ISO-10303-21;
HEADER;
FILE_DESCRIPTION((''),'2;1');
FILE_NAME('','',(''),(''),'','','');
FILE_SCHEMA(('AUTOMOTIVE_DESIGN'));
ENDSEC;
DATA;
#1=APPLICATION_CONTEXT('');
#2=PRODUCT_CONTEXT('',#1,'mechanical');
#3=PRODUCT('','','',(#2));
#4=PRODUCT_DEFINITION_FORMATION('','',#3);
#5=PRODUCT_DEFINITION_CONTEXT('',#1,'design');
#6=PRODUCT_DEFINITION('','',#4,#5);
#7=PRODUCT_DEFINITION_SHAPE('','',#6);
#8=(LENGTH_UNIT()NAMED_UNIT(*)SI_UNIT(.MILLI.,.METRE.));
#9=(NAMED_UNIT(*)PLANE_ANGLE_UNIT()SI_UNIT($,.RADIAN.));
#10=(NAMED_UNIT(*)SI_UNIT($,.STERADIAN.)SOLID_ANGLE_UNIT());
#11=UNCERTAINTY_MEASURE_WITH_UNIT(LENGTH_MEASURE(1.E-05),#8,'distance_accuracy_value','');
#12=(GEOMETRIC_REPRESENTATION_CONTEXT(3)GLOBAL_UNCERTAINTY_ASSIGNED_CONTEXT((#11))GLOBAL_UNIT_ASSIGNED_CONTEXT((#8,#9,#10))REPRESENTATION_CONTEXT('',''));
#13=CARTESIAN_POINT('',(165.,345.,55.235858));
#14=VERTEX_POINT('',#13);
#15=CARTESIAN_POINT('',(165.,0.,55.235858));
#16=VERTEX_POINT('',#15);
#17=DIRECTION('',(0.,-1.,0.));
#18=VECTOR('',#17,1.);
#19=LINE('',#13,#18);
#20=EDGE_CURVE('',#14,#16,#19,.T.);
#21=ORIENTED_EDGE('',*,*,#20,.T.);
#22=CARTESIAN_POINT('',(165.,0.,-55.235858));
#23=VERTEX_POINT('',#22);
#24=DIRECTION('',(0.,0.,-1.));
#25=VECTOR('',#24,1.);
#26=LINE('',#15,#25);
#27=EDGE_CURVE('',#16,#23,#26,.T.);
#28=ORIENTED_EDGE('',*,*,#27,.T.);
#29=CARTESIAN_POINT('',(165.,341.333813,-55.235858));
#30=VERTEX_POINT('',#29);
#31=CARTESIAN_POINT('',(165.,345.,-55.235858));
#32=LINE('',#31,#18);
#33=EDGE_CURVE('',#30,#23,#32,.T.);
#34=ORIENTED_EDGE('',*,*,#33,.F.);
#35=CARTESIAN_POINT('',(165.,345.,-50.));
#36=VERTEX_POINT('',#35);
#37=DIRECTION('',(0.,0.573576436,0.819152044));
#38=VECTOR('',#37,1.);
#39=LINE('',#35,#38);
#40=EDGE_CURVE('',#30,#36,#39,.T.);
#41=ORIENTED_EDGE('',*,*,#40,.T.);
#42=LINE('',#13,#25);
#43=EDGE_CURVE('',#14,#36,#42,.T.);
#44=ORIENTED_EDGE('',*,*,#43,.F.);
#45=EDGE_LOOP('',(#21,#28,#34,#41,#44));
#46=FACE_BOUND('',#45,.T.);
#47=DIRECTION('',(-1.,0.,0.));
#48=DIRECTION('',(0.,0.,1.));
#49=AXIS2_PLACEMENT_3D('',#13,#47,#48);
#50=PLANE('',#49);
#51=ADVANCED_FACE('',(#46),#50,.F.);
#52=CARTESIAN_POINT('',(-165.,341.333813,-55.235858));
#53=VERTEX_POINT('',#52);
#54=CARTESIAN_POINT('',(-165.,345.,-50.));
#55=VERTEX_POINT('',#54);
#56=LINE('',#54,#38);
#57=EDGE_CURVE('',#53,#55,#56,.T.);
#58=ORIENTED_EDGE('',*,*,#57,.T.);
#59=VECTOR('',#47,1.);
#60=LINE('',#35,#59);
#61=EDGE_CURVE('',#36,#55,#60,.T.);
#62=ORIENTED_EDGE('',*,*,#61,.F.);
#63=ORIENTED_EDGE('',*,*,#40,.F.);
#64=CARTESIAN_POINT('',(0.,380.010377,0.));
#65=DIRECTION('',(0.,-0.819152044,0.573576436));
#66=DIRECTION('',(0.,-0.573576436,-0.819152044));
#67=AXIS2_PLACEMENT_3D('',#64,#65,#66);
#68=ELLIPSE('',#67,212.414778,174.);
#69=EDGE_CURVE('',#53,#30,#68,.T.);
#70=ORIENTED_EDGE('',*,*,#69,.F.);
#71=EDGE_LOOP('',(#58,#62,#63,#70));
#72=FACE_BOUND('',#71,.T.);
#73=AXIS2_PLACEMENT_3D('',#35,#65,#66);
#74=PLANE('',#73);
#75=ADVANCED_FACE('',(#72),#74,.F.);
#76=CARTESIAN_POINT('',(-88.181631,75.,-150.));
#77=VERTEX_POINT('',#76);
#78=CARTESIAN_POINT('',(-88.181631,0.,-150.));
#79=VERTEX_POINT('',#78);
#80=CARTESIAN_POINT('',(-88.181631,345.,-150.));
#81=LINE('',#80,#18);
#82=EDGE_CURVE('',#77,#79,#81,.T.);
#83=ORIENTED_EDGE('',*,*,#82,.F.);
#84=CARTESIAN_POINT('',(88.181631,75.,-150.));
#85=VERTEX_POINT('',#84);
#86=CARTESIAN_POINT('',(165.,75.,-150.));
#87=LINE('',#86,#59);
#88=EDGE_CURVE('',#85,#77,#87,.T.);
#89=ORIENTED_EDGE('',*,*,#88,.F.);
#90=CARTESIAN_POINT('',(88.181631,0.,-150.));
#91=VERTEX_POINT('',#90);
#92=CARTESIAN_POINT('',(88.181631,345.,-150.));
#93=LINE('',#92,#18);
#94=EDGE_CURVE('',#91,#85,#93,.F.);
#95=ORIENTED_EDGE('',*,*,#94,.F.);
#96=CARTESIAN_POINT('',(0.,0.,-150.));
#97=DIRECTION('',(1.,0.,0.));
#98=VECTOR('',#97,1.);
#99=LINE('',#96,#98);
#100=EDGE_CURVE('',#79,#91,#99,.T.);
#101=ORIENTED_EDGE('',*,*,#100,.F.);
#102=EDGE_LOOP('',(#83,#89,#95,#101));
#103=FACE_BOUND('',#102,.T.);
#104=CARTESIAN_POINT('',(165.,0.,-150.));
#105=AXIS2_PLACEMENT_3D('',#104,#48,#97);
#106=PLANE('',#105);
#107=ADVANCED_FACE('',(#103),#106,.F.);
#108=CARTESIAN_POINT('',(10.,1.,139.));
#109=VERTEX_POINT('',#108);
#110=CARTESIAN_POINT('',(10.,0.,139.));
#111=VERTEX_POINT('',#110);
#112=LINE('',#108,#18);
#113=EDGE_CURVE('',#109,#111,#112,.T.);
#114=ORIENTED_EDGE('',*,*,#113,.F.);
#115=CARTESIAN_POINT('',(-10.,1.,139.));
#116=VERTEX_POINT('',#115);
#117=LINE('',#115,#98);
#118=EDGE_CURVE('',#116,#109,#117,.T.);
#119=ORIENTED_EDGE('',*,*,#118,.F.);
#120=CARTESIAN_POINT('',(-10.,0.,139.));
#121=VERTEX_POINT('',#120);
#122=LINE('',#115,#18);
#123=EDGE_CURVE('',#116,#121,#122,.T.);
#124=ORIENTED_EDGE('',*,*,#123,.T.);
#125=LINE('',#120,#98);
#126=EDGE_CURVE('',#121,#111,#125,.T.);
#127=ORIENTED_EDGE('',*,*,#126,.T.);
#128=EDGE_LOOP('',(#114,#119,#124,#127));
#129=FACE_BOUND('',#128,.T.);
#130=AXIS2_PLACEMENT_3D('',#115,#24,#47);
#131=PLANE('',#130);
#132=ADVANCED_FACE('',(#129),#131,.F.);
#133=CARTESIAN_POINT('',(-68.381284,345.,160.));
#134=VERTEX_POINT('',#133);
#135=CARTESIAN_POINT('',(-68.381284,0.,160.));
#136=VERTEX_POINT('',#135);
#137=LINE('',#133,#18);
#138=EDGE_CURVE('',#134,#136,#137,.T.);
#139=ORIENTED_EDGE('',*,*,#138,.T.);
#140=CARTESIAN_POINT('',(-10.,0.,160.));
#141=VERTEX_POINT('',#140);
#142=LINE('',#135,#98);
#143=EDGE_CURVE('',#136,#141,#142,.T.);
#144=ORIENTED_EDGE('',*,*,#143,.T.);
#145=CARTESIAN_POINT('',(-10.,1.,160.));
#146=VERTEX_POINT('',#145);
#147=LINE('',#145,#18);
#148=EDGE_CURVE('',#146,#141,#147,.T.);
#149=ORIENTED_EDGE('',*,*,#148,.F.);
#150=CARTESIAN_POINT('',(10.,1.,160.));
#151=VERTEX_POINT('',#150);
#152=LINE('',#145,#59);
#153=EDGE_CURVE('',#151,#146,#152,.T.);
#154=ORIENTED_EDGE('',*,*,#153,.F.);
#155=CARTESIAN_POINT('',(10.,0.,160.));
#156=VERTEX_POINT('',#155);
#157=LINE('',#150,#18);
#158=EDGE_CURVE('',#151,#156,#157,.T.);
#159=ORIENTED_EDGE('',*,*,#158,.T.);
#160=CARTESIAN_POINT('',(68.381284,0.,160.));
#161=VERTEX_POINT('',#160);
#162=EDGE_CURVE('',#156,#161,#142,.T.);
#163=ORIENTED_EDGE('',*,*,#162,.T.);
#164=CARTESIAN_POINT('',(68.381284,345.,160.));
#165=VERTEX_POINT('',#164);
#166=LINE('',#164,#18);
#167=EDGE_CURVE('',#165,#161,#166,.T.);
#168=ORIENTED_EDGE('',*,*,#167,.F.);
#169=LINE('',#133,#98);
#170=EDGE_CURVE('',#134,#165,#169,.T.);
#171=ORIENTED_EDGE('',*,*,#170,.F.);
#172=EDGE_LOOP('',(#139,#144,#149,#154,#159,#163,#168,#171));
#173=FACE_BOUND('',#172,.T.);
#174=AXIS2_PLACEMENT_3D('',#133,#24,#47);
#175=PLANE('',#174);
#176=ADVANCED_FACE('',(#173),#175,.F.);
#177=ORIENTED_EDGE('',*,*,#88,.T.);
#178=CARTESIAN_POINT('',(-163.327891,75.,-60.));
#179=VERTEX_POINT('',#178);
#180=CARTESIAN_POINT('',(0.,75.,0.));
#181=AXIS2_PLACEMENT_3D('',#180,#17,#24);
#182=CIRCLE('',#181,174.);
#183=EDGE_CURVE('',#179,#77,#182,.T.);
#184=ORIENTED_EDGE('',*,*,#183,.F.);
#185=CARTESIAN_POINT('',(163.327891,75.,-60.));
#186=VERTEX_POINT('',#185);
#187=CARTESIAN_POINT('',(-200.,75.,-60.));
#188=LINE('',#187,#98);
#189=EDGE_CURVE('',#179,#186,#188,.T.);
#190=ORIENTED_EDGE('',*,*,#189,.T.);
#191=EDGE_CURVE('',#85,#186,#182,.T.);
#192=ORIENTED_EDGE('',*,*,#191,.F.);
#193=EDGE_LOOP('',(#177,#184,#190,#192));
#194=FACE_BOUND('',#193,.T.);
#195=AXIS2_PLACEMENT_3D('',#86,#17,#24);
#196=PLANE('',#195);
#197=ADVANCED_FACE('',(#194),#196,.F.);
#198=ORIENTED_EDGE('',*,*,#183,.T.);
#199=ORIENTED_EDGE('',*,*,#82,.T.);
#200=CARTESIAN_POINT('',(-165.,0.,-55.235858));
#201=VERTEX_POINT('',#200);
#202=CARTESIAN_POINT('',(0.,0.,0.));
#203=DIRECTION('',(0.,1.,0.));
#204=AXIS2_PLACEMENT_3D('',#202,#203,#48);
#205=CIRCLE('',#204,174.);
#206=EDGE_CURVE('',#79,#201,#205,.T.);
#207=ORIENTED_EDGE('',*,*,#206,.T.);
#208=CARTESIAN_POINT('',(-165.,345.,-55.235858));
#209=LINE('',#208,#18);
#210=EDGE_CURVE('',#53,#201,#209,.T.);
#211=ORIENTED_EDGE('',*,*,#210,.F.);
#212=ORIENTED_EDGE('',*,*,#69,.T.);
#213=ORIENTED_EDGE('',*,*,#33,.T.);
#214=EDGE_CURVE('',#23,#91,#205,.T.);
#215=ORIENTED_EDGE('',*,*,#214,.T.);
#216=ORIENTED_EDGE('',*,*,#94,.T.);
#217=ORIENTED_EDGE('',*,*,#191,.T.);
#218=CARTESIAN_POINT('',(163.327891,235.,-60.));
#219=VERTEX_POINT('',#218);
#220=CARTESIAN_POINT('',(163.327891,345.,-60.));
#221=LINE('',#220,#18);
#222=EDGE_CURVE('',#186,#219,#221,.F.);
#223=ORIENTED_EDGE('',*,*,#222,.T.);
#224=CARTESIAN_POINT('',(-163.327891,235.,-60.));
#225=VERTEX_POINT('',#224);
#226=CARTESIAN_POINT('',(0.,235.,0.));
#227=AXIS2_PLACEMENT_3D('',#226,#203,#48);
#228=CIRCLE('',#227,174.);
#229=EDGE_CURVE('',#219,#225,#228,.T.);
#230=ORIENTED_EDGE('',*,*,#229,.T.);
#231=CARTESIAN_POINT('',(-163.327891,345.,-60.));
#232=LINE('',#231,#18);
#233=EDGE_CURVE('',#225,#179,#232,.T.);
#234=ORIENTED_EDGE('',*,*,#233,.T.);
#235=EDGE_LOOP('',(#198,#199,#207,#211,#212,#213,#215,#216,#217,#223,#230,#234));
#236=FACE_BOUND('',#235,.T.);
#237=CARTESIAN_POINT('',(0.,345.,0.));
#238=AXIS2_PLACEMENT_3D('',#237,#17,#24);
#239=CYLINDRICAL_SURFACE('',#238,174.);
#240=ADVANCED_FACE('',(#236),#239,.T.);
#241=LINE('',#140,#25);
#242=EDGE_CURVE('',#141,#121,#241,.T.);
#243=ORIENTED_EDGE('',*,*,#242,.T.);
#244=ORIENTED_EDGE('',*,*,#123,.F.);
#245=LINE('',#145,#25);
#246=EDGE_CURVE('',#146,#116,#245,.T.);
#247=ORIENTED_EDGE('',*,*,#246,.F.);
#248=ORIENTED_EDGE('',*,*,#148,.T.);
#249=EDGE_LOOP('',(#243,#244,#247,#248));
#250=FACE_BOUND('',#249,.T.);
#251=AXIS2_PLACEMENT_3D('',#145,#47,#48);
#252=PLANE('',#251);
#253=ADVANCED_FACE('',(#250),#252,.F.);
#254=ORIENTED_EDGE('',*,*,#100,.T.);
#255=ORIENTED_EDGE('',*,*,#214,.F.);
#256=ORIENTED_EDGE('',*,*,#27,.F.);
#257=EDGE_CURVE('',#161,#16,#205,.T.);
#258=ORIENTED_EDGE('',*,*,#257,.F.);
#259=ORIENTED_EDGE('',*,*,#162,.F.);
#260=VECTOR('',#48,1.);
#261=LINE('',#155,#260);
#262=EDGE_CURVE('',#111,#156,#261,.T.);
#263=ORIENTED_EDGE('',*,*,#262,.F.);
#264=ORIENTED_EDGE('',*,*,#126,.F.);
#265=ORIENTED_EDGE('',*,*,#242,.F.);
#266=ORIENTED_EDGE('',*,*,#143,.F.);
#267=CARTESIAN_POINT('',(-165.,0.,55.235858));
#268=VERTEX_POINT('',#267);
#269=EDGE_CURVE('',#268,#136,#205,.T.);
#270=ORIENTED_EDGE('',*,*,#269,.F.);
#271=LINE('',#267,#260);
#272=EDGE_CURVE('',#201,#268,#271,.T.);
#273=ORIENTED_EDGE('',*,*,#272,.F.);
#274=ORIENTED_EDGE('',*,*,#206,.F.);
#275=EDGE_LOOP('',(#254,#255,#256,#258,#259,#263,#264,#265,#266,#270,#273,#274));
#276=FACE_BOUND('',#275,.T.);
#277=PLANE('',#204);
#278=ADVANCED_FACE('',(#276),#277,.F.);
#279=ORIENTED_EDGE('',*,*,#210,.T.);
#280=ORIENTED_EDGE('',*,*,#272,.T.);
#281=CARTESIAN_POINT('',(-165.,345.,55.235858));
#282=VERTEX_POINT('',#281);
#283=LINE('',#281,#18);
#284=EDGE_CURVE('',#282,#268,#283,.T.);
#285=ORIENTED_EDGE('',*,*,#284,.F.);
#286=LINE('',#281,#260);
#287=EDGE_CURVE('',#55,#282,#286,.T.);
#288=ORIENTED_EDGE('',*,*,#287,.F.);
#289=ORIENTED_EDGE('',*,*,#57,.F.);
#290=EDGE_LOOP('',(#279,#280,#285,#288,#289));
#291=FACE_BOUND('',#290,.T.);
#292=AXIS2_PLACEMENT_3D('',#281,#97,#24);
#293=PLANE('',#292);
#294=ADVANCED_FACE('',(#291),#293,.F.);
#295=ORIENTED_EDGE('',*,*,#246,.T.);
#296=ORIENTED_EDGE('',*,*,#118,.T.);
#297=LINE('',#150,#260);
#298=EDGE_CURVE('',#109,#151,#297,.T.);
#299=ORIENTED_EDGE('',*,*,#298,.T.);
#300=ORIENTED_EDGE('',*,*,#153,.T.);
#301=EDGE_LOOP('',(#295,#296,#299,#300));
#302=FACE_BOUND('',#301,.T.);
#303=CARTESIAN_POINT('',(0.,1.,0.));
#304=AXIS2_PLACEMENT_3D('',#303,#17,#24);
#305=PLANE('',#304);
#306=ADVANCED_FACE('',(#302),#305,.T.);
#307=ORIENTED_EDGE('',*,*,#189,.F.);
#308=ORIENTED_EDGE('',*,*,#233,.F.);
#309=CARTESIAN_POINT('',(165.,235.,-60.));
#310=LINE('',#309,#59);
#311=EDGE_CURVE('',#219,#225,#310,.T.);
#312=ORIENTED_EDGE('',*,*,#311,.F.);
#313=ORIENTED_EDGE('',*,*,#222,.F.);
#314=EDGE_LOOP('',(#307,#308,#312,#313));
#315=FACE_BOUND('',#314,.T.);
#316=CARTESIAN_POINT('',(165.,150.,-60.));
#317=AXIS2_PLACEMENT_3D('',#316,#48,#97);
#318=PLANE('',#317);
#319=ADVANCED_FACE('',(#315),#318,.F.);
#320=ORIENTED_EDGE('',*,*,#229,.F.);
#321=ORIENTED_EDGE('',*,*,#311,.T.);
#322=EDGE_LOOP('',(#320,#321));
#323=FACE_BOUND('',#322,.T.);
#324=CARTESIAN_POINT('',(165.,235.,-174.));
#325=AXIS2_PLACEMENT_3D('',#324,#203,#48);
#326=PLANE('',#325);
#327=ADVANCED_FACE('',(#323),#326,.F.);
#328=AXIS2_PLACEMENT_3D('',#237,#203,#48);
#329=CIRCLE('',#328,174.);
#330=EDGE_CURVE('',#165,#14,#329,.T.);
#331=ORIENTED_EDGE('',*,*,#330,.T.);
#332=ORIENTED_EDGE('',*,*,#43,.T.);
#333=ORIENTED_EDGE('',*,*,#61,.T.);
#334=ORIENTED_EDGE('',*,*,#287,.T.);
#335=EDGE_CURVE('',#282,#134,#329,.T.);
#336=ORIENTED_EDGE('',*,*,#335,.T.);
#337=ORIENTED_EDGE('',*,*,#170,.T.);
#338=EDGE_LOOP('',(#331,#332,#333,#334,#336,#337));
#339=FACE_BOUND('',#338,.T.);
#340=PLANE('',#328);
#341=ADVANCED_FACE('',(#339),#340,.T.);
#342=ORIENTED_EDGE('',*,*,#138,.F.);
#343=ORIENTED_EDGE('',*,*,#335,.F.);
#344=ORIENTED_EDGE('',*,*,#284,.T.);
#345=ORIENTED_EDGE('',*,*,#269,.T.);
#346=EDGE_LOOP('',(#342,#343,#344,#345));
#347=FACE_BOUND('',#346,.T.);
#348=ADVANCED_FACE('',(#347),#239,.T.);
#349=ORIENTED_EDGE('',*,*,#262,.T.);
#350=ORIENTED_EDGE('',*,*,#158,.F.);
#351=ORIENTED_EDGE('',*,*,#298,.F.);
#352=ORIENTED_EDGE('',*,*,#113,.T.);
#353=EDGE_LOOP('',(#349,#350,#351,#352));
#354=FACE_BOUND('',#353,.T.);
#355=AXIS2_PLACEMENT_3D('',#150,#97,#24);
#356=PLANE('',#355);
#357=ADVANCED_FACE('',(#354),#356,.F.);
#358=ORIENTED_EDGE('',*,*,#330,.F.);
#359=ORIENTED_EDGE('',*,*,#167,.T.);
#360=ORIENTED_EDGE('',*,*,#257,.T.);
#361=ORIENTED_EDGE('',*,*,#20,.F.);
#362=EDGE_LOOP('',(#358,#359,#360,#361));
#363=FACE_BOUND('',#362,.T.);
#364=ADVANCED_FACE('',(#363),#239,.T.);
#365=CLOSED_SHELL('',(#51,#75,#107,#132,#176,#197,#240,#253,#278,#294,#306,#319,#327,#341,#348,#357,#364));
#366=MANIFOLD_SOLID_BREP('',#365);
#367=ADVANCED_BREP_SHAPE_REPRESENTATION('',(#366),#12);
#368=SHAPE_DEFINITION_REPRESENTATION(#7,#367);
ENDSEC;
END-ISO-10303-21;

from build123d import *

# Parameters (mm, degrees)
BOSS_EXTRU_1_DEPTH           = 345
ENL_V_MAT_EXTRU_1_DEPTH      = 421.149973224
ENL_V_MAT_EXTRU_1_DEPTH_BACK = 421.149973224
ESQUISSE5_W                  = 400
ESQUISSE5_H                  = 70
ENL_V_MAT_EXTRU_3_DEPTH      = 75
ESQUISSE6_W                  = 20
ESQUISSE6_H                  = 21
ENL_V_MAT_EXTRU_4_DEPTH      = 1


with BuildPart() as part:
    # Esquisse1 → Boss.-Extru.1 (new body)
    with BuildSketch(Plane(origin=(0, 0, 0), x_dir=(1, 0, 0), z_dir=(0, 1, 0))):
        with BuildLine():
            Line((-165, -55.235857919), (-165, 55.235857919))
            ThreePointArc((-165, 55.235857919), (0, 174), (165, 55.235857919))
            Line((165, 55.235857919), (165, -55.235857919))
            ThreePointArc((165, -55.235857919), (127.908511428, -117.963607542), (68.381283989, -160))
            Line((68.381283989, -160), (-68.381283989, -160))
            ThreePointArc((-68.381283989, -160), (-127.908511428, -117.963607542), (-165, -55.235857919))
        make_face()
    extrude(amount=BOSS_EXTRU_1_DEPTH)

    # Esquisse3 → Enlèv. mat.-Extru.1 (cut, two sides: drawn at the far end of the back side and taken through both)
    with BuildSketch(Plane.ZY.offset(-ENL_V_MAT_EXTRU_1_DEPTH_BACK)):
        Polygon((-50, 345), (-542.711062326, 0), (-542.711062326, 345), align=None)
        Polygon((-60, 150), (-130, 150), (-130, 75), (-150, 75), (-150, 0), (-174, 0), (-174, 235), (-60, 235), align=None)
    extrude(amount=ENL_V_MAT_EXTRU_1_DEPTH + ENL_V_MAT_EXTRU_1_DEPTH_BACK, mode=Mode.SUBTRACT)

    # Esquisse5 → Enlèv. mat.-Extru.3 (cut)
    with BuildSketch(Plane(origin=(0, 150, 0), x_dir=(1, 0, 0), z_dir=(0, 1, 0))):
        with Locations((0, 95)):
            Rectangle(ESQUISSE5_W, ESQUISSE5_H)
    extrude(amount=-ENL_V_MAT_EXTRU_3_DEPTH, mode=Mode.SUBTRACT)

    # Esquisse6 → Enlèv. mat.-Extru.4 (cut)
    with BuildSketch(Plane.XZ):
        with Locations((0, 149.5)):
            Rectangle(ESQUISSE6_W, ESQUISSE6_H)
    extrude(amount=-ENL_V_MAT_EXTRU_4_DEPTH, mode=Mode.SUBTRACT)


solid = part.part
